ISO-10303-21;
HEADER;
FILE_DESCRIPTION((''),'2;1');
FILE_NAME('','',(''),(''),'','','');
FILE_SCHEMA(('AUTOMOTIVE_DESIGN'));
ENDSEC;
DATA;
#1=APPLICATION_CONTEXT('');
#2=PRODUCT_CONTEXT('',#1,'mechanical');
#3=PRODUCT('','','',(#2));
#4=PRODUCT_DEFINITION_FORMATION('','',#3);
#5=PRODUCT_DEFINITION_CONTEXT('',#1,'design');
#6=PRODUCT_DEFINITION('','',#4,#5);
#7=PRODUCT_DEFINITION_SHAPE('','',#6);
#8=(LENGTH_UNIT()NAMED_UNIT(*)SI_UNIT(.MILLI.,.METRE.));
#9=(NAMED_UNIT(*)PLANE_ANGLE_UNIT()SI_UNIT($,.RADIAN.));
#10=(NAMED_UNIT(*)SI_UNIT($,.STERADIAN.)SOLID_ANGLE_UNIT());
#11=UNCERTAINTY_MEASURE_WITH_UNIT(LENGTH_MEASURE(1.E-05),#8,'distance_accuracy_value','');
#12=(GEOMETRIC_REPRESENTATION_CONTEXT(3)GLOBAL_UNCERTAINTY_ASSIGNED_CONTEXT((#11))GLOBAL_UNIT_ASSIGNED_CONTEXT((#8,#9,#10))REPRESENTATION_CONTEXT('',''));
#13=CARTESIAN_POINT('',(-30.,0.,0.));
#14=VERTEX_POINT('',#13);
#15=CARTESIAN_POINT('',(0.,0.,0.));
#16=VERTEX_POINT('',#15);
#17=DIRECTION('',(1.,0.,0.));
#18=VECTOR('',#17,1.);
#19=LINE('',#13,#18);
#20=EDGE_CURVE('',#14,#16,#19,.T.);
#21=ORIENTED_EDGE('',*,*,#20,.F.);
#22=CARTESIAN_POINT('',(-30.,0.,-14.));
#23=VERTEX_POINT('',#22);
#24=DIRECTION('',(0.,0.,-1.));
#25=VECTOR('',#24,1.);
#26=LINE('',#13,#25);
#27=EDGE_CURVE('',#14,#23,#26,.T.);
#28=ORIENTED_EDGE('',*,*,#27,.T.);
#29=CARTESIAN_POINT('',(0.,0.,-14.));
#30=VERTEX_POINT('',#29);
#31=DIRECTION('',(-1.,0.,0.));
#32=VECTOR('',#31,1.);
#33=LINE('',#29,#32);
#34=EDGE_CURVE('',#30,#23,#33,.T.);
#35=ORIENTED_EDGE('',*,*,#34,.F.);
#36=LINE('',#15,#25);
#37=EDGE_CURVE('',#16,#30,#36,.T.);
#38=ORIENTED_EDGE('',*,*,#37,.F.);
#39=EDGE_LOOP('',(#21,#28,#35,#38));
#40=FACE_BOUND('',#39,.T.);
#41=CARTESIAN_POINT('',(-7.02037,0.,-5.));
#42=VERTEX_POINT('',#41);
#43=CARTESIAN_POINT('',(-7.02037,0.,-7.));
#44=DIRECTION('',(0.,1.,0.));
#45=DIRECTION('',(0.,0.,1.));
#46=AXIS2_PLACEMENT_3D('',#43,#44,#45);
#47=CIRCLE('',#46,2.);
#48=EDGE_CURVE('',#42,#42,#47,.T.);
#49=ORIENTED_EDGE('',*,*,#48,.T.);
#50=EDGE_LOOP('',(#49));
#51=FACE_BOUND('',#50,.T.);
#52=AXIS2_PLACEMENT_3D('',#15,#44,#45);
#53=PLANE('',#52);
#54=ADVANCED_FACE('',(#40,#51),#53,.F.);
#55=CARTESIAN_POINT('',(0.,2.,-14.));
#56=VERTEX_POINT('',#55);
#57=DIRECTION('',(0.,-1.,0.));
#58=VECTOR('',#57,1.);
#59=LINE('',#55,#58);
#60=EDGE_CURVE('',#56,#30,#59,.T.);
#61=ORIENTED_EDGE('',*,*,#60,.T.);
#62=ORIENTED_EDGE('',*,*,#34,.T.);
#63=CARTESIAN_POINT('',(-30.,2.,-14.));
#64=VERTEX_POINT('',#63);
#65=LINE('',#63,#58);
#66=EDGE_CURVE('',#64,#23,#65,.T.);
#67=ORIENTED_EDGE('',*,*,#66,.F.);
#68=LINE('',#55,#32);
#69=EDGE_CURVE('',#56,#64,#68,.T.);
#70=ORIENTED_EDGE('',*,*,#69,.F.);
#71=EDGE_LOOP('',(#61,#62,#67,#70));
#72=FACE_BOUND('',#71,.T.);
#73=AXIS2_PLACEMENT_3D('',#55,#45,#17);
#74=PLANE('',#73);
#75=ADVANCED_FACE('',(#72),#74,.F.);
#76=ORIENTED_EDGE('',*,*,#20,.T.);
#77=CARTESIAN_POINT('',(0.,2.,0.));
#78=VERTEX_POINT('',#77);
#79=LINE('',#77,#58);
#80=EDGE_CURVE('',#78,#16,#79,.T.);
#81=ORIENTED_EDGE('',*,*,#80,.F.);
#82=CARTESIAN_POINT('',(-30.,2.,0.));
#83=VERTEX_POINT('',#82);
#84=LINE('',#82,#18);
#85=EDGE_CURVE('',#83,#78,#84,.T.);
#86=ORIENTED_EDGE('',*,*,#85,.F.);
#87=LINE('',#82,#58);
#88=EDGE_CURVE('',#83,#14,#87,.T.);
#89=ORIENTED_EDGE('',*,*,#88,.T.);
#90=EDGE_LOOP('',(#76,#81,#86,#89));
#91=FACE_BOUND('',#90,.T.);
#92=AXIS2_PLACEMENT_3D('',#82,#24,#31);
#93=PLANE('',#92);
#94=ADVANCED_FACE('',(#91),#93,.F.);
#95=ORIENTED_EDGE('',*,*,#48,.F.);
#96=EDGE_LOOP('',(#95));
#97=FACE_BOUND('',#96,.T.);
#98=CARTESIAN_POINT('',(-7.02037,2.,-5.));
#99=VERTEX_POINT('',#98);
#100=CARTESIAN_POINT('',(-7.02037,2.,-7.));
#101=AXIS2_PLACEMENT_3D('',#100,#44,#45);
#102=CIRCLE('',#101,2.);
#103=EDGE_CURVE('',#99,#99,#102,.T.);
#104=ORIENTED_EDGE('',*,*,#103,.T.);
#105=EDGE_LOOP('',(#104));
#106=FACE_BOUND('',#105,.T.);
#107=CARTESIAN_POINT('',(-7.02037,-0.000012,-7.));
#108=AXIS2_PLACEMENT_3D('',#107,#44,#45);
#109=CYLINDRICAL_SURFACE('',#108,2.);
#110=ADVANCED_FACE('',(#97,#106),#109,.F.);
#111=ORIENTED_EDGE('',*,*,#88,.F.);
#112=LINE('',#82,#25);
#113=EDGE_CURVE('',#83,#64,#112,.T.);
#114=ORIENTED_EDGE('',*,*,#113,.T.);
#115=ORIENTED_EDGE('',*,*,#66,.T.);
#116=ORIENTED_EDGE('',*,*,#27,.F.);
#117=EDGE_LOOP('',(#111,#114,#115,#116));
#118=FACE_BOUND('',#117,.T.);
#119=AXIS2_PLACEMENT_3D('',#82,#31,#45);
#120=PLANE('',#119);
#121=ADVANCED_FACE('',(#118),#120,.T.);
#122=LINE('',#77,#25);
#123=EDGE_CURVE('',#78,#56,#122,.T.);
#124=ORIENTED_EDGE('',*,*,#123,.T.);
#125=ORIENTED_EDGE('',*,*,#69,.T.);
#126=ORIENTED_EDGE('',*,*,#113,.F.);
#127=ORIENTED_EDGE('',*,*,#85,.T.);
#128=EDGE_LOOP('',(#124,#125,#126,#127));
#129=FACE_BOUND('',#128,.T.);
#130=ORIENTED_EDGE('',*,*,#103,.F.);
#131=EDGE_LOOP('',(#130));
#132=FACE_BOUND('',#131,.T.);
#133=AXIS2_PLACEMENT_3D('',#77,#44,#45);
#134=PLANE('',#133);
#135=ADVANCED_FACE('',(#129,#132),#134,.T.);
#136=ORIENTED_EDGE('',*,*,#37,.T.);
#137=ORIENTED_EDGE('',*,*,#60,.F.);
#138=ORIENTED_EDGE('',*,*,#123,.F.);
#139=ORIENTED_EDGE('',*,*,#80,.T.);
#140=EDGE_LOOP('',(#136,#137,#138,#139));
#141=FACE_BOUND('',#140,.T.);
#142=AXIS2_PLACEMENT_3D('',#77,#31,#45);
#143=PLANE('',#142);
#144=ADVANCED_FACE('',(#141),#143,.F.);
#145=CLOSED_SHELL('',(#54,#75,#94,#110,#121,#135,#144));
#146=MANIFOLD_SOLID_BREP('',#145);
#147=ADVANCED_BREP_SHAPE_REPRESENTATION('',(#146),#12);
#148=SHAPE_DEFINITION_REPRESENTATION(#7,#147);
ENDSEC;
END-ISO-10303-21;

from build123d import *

# Parameters (mm, degrees)
SKETCH1_W                = 30
SKETCH1_H                = 14
BOSS_EXTRUDE1_DEPTH      = 2
SKETCH1_9_OUTSIDE_W      = 38.634
SKETCH1_9_OUTSIDE_H      = 22.634
SKETCH1_9_OUTSIDE_W_2    = 30
SKETCH1_9_OUTSIDE_H_2    = 14
SKETCH1_9_OUTSIDE_R      = 2
CUT_EXTRUDE10_DEPTH      = 3
CUT_EXTRUDE10_DEPTH_BACK = 1


with BuildPart() as part:
    # Sketch1 → Boss-Extrude1 (new body)
    with BuildSketch(Plane(origin=(0, 0, 0), x_dir=(1, 0, 0), z_dir=(0, 1, 0))):
        with Locations((-15, 7)):
            Rectangle(SKETCH1_W, SKETCH1_H)
    extrude(amount=BOSS_EXTRUDE1_DEPTH)

    # Sketch1<9> outside → Cut-Extrude10 (cut, two sides)
    with BuildSketch(Plane(origin=(0, 0, 0), x_dir=(1, 0, 0), z_dir=(0, 1, 0))) as cut_extrude10_sk:
        with Locations((-15, 7)):
            Rectangle(SKETCH1_9_OUTSIDE_W, SKETCH1_9_OUTSIDE_H)
        with Locations((-15, 7)):
            Rectangle(SKETCH1_9_OUTSIDE_W_2, SKETCH1_9_OUTSIDE_H_2, mode=Mode.SUBTRACT)
        with Locations((-7.020370045, 7)):
            Circle(SKETCH1_9_OUTSIDE_R)
    extrude(amount=CUT_EXTRUDE10_DEPTH, mode=Mode.SUBTRACT)
    extrude(cut_extrude10_sk.sketch, amount=-CUT_EXTRUDE10_DEPTH_BACK, mode=Mode.SUBTRACT)


solid = part.part
